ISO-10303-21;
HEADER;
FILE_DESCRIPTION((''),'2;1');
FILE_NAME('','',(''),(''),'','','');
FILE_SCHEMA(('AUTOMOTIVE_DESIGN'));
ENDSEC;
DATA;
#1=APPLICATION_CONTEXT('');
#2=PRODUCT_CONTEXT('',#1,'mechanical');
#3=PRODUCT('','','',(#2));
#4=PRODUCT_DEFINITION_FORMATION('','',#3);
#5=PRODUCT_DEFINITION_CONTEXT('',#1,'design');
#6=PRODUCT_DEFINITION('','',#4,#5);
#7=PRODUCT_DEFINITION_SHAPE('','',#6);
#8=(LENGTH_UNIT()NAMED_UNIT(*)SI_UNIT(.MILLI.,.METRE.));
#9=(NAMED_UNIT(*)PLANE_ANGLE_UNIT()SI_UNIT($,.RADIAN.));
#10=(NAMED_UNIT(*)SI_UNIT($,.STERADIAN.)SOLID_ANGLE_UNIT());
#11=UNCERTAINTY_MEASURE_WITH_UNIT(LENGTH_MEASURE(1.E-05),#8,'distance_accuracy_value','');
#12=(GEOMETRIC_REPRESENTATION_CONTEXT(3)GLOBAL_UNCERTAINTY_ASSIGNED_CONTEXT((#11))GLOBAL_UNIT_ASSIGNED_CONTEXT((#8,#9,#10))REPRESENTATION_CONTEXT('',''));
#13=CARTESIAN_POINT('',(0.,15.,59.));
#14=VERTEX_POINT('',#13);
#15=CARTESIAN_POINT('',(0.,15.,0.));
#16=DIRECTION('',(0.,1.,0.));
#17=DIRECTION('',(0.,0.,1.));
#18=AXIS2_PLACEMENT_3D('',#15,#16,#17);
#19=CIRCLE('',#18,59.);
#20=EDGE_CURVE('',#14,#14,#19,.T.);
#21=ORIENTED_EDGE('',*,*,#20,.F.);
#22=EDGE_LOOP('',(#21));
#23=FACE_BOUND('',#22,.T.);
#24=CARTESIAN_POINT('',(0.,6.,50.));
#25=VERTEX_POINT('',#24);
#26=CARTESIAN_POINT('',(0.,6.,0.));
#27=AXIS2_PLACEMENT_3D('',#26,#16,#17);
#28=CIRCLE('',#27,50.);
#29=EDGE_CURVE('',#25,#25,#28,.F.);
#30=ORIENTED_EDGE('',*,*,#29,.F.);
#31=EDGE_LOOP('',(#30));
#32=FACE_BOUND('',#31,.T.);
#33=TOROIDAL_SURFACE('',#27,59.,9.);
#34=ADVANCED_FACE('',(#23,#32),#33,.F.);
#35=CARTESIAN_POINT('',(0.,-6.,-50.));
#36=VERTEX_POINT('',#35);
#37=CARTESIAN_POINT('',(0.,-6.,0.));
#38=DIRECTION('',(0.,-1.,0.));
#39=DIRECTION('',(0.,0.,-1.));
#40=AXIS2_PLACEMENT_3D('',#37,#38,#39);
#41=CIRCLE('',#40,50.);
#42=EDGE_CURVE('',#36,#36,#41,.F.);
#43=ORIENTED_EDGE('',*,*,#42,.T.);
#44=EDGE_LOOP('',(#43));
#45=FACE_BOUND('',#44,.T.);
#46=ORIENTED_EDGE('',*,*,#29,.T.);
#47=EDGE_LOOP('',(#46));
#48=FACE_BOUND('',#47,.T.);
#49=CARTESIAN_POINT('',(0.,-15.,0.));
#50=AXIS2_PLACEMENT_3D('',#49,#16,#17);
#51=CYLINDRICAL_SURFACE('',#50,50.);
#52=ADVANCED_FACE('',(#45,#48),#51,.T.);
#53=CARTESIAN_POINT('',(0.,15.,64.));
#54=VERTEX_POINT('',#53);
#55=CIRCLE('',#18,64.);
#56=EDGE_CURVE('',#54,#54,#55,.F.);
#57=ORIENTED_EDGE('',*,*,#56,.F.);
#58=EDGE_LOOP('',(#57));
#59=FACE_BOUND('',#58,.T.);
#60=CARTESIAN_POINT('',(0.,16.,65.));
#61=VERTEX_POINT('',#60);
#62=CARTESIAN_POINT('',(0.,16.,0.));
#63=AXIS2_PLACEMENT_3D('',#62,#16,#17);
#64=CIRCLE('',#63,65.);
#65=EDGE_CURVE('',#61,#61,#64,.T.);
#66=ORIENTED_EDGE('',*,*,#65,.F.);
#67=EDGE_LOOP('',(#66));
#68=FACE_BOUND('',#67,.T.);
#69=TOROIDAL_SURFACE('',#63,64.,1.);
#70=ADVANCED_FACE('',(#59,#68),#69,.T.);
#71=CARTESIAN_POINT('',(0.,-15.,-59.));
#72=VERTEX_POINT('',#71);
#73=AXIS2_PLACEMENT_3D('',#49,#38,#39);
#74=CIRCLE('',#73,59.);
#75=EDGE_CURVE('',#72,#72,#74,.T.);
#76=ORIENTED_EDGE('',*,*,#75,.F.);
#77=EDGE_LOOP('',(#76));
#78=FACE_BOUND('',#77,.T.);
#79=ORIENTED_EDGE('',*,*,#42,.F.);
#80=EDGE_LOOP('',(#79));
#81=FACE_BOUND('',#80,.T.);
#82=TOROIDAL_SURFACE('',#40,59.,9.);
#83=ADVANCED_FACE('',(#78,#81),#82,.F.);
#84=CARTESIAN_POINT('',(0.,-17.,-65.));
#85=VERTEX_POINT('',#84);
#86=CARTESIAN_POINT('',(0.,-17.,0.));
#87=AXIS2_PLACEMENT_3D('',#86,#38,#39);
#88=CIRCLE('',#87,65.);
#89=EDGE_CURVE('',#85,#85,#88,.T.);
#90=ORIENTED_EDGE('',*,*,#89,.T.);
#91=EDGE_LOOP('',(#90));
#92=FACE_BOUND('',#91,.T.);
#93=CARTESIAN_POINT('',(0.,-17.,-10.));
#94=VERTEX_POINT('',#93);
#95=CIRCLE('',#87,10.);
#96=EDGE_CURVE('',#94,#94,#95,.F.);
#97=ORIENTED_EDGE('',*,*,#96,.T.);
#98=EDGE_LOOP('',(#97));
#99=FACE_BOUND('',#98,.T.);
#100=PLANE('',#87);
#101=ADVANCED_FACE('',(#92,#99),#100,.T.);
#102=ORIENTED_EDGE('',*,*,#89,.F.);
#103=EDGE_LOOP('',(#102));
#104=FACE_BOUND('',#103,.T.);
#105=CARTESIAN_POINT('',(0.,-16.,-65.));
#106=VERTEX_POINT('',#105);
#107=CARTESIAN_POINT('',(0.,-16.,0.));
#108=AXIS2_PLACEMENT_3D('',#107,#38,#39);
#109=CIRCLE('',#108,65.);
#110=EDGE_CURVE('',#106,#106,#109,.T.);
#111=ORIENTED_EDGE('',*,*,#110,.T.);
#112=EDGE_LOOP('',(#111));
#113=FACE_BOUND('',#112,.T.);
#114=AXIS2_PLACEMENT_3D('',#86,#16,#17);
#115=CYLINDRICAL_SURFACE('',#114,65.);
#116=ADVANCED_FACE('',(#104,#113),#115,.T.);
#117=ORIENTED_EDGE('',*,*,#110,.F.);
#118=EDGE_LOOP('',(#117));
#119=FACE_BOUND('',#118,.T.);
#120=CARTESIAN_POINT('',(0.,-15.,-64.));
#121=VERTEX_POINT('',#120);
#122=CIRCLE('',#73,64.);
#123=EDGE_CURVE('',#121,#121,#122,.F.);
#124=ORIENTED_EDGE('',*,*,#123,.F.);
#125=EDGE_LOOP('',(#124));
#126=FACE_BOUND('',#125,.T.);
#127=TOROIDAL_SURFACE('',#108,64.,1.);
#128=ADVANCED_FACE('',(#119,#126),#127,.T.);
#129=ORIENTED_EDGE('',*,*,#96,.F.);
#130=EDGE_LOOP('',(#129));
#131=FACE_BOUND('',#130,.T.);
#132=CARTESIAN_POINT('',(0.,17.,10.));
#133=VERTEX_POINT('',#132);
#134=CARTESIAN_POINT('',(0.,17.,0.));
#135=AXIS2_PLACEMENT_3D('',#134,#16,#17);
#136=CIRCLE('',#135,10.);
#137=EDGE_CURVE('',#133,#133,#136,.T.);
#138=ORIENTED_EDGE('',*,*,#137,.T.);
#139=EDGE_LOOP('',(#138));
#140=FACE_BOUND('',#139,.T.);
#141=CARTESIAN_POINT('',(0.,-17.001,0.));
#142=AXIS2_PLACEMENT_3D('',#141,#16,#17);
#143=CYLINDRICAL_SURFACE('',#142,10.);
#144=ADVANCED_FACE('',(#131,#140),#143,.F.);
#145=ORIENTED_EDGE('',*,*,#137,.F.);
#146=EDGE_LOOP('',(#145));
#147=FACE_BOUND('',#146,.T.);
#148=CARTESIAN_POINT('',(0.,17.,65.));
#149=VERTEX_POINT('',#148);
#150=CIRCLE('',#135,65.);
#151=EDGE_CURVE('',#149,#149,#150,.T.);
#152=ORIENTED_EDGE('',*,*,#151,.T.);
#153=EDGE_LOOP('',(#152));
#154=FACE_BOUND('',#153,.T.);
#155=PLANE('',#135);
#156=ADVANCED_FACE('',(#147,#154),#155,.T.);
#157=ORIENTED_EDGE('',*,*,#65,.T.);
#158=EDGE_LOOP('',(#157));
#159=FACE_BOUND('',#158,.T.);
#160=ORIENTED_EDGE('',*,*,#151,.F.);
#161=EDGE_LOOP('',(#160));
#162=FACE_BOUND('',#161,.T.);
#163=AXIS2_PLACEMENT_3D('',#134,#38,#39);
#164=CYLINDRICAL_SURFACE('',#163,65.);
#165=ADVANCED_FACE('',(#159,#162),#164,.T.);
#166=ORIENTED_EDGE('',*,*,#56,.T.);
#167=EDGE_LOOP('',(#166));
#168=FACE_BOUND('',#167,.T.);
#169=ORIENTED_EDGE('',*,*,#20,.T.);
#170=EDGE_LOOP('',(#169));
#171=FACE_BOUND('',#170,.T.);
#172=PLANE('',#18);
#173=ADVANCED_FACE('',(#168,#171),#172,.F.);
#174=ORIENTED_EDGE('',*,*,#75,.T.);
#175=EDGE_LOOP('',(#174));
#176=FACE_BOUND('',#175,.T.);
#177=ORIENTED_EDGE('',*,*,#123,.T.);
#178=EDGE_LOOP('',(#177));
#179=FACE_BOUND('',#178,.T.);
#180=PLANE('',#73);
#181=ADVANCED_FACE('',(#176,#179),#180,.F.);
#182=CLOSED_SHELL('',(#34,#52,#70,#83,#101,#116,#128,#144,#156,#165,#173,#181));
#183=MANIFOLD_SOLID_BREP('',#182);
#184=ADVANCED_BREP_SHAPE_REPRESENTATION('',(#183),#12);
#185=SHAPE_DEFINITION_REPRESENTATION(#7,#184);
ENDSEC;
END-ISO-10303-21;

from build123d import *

# Parameters (mm, degrees)
BOSS_EXTRUDE1_DEPTH      = 15
BOSS_EXTRUDE1_DEPTH_BACK = 15
SKETCH1_R                = 50
SKETCH2_R                = 65
BOSS_EXTRUDE2_DEPTH      = 2
BOSS_EXTRUDE3_START      = 2
SKETCH3_R                = 65
BOSS_EXTRUDE3_DEPTH      = 2
FILLET1_R                = 9
FILLET2_R                = 1
FILLET3_R                = 1
FILLET4_R                = 9
CUT_EXTRUDE1_REACH       = 100.01
SKETCH4_R                = 10


with BuildPart() as part:
    # Sketch1 → Boss-Extrude1 (new, two sides: drawn at the far end of the back side and taken through both)
    with BuildSketch(Plane(origin=(0, 0, 0), x_dir=(1, 0, 0), z_dir=(0, 1, 0)).offset(-BOSS_EXTRUDE1_DEPTH_BACK)):
        Circle(SKETCH1_R)
    extrude(amount=BOSS_EXTRUDE1_DEPTH + BOSS_EXTRUDE1_DEPTH_BACK)

    # Sketch2 → Boss-Extrude2 (add)
    with BuildSketch(Plane.XZ.offset(15)):
        Circle(SKETCH2_R)
    extrude(amount=BOSS_EXTRUDE2_DEPTH)

    # Sketch3 → Boss-Extrude3 (add)
    with BuildSketch(Plane(origin=(0, 15, 0), x_dir=(1, 0, 0), z_dir=(0, 1, 0)).offset(BOSS_EXTRUDE3_START)):
        Circle(SKETCH3_R)
    extrude(amount=-BOSS_EXTRUDE3_DEPTH)

    # Fillet1
    fillet1_edges = [part.edges().sort_by_distance(p)[0] for p in [
        (-50, -15, 0),
    ]]
    fillet(fillet1_edges, radius=FILLET1_R)

    # Fillet2
    fillet2_edges = [part.edges().sort_by_distance(p)[0] for p in [
        (-65, -15, 0),
    ]]
    fillet(fillet2_edges, radius=FILLET2_R)

    # Fillet3
    fillet3_edges = [part.edges().sort_by_distance(p)[0] for p in [
        (-65, 15, 0),
    ]]
    fillet(fillet3_edges, radius=FILLET3_R)

    # Fillet4
    fillet4_edges = [part.edges().sort_by_distance(p)[0] for p in [
        (-50, 15, 0),
    ]]
    fillet(fillet4_edges, radius=FILLET4_R)

    # Sketch4 → Cut-Extrude1 (cut, up to next)
    with BuildSketch(Plane(origin=(0, 17, 0), x_dir=(1, 0, 0), z_dir=(0, 1, 0)), mode=Mode.PRIVATE) as cut_extrude1_sk1:
        Circle(SKETCH4_R)
    cut_extrude1_tool1 = extrude(cut_extrude1_sk1.sketch, amount=-CUT_EXTRUDE1_REACH, mode=Mode.PRIVATE) & part.part
    add(cut_extrude1_tool1.solids().sort_by_distance((0, 17, 0))[0], mode=Mode.SUBTRACT)


solid = part.part
